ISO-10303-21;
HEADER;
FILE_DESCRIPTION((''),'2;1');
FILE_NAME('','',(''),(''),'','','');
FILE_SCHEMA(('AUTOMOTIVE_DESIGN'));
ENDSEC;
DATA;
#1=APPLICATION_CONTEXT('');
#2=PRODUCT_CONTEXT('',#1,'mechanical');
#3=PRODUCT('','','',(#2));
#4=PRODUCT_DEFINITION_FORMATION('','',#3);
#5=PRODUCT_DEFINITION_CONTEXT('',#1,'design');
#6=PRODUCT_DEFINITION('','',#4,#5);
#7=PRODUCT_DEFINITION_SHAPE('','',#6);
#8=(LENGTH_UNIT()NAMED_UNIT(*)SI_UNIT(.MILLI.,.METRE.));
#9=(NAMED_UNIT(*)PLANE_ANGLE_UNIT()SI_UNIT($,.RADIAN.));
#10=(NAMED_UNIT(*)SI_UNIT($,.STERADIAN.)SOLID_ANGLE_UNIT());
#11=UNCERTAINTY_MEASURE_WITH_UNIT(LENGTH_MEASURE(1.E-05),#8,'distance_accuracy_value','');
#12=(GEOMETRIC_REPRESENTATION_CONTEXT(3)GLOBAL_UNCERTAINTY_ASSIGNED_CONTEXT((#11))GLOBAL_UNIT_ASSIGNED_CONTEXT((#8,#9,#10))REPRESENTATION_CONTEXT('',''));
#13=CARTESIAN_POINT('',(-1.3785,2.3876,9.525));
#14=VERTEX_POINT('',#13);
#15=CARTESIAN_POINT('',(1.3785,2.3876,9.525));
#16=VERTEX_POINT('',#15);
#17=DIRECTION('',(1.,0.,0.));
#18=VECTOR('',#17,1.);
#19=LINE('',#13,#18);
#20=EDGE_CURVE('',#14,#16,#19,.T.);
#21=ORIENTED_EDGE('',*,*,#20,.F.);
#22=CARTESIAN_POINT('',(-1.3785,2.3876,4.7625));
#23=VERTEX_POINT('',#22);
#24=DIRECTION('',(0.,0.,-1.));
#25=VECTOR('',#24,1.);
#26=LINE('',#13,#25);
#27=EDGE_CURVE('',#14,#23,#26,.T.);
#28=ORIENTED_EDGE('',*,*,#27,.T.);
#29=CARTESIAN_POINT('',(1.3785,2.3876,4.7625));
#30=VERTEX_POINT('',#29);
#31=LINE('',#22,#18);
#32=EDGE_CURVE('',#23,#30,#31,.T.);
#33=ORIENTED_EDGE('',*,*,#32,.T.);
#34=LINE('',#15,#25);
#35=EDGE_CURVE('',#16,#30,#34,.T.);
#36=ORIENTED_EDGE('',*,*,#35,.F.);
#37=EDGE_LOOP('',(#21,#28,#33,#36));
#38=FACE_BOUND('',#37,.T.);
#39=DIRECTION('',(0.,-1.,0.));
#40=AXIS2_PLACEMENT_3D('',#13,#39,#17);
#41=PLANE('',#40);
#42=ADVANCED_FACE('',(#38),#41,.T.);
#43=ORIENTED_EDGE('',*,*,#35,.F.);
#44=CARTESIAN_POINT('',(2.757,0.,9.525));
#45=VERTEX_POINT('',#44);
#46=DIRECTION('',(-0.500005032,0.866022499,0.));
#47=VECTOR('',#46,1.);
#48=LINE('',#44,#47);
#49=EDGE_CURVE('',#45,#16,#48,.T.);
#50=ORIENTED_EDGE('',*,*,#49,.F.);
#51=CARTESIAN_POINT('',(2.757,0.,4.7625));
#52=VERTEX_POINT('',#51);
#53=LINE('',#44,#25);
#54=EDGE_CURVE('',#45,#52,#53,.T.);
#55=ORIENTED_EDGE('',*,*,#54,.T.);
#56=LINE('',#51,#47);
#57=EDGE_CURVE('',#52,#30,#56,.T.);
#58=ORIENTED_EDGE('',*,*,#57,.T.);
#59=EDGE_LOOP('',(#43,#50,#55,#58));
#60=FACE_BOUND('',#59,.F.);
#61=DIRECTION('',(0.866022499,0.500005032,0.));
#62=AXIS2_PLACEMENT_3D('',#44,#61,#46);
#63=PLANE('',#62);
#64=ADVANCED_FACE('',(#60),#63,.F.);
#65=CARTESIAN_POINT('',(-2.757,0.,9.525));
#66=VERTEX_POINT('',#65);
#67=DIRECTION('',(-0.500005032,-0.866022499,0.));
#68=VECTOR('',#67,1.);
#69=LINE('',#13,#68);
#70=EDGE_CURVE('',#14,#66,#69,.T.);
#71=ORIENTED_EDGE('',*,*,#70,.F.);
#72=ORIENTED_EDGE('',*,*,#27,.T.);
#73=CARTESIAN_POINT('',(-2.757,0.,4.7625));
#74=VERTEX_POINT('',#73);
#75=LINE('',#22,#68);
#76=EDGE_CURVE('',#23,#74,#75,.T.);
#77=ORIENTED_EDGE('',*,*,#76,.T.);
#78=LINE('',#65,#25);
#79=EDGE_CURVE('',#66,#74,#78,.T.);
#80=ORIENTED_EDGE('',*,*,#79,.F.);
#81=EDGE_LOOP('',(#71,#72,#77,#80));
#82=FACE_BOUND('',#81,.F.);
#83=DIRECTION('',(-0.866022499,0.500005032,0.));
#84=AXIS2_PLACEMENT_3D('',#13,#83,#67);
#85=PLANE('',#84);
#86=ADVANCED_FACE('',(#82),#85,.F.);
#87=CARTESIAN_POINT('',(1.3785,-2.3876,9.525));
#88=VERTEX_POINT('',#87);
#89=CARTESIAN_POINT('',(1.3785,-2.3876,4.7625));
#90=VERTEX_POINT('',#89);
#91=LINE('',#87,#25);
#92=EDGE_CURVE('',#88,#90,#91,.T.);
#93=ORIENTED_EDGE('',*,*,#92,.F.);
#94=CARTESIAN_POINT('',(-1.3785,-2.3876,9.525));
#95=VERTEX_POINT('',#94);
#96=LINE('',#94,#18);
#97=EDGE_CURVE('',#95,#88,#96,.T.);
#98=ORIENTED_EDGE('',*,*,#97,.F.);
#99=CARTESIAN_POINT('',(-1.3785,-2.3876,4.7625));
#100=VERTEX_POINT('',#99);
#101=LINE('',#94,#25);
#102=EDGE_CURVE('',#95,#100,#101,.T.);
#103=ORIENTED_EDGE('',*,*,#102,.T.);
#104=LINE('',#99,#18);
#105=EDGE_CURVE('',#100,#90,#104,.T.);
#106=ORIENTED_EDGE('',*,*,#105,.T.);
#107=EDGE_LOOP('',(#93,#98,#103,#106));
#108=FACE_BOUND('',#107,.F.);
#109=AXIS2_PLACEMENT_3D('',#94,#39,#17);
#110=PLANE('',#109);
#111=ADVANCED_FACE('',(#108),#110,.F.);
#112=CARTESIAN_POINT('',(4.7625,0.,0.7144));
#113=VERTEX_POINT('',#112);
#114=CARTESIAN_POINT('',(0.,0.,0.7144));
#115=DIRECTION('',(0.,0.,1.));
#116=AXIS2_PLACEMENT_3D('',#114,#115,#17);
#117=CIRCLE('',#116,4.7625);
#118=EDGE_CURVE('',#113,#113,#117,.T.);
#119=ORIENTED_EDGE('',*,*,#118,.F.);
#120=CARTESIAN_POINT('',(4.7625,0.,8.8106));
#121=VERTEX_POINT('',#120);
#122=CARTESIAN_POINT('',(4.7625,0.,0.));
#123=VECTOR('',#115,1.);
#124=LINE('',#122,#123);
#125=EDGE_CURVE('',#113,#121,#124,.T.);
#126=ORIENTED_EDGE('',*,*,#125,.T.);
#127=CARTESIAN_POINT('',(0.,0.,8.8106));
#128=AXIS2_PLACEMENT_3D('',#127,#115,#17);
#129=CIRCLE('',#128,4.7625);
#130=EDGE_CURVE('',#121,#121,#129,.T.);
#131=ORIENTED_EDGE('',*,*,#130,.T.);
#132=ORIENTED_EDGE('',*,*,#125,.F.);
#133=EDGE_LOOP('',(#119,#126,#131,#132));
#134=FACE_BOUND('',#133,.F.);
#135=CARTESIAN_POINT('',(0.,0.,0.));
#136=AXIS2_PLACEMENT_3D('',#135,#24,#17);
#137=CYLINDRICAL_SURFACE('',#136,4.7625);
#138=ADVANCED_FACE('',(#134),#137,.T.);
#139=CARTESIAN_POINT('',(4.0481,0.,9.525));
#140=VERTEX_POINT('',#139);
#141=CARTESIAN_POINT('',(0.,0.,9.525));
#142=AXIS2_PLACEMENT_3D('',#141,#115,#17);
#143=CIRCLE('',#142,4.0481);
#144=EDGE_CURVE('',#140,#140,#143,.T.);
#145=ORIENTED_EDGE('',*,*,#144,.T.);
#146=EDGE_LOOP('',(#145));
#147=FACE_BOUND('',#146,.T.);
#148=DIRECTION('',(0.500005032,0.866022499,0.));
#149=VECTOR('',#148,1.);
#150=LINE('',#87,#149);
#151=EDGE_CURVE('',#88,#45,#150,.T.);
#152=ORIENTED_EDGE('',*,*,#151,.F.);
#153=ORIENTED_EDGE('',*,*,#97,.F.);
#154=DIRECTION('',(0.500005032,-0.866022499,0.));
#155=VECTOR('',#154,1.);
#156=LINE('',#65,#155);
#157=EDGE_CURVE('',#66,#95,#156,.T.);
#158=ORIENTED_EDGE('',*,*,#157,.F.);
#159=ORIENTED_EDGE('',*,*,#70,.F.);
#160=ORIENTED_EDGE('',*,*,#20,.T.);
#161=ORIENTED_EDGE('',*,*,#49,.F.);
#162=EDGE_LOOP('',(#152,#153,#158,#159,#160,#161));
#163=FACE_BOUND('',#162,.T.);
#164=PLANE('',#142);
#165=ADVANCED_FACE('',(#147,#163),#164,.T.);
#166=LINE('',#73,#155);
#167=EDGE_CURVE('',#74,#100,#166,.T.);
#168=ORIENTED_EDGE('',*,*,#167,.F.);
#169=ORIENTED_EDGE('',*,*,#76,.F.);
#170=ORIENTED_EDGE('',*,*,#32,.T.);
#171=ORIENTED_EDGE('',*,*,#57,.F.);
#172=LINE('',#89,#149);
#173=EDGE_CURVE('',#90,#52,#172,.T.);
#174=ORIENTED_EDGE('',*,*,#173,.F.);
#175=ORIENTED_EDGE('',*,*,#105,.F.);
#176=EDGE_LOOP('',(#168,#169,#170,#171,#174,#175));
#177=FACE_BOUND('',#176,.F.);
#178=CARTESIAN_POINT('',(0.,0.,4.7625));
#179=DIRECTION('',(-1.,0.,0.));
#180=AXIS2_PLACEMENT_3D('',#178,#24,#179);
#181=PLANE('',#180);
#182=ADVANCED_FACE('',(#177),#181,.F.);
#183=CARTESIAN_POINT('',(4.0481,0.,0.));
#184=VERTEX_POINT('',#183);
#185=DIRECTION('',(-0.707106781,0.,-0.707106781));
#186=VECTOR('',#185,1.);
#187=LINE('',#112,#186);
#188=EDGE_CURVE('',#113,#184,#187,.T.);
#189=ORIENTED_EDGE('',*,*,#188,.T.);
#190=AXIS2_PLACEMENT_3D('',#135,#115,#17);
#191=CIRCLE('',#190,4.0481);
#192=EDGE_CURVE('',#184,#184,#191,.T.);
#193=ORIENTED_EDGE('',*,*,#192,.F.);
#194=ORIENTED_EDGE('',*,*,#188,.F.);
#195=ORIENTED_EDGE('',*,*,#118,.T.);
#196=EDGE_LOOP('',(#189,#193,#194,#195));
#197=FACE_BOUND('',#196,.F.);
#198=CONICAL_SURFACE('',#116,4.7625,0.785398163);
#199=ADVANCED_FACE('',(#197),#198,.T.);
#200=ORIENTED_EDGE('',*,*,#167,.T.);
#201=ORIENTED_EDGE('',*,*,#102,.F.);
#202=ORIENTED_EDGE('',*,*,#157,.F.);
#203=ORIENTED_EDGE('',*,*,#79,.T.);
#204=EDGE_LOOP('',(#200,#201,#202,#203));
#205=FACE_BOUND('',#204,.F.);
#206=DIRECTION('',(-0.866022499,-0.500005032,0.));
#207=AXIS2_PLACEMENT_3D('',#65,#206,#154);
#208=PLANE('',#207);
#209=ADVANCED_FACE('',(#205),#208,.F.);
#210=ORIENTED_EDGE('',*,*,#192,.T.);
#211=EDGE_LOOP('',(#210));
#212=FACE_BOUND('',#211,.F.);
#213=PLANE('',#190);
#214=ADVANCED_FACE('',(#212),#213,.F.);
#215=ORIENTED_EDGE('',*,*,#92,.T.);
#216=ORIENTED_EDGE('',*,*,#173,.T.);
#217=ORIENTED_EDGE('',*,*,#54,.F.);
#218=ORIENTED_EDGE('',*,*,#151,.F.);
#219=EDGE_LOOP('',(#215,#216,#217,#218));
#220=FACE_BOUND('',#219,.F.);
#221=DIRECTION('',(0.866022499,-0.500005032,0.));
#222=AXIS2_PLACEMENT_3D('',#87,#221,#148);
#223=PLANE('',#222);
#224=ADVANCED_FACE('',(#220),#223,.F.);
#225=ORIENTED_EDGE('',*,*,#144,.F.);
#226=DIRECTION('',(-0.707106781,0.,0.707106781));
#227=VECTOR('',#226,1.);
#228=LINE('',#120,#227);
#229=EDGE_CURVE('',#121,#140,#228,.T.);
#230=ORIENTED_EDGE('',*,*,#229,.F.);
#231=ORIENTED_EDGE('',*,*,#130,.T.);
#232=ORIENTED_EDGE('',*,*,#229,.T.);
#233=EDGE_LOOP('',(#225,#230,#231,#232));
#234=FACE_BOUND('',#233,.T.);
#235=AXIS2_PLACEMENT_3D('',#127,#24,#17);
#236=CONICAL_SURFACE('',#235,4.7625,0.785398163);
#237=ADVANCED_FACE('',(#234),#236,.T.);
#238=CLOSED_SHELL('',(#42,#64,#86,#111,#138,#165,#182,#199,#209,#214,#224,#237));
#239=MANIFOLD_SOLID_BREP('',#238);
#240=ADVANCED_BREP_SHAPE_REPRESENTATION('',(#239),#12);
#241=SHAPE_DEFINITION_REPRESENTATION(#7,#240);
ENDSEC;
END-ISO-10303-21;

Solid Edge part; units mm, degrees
sketch "Sketch1" plane through (0, 0, 0) normal (0, 0, 1) x (1, 0, 0)
  circle A0 centre (0, 0) radius 4.7625
  dimension "D1" = 9.525
extrude "Protrusion1" add sketch "Sketch1" along normal blind 9.525
chamfer "Chamfer1" distance 0.7144 angle 45 2 edges at (-4.7625, 0, 0) (-4.7625, 0, 9.525)
sketch "Sketch2" plane through (0, 0, 9.525) normal (0, 0, 1) x (1, 0, 0)
  line L0 (-1.3785, 2.3876) -> (1.3785, 2.3876)
  line L1 (2.757, 0) -> (1.3785, 2.3876)
  line L2 (1.3785, -2.3876) -> (2.757, 0)
  line L3 (-1.3785, -2.3876) -> (1.3785, -2.3876)
  line L4 (-2.757, 0) -> (-1.3785, -2.3876)
  line L5 (-1.3785, 2.3876) -> (-2.757, 0)
  dimension "D1" = 4.7752
extrude "Cutout1" cut sketch "Sketch2" against normal blind 4.7625
properties part number "185787"
